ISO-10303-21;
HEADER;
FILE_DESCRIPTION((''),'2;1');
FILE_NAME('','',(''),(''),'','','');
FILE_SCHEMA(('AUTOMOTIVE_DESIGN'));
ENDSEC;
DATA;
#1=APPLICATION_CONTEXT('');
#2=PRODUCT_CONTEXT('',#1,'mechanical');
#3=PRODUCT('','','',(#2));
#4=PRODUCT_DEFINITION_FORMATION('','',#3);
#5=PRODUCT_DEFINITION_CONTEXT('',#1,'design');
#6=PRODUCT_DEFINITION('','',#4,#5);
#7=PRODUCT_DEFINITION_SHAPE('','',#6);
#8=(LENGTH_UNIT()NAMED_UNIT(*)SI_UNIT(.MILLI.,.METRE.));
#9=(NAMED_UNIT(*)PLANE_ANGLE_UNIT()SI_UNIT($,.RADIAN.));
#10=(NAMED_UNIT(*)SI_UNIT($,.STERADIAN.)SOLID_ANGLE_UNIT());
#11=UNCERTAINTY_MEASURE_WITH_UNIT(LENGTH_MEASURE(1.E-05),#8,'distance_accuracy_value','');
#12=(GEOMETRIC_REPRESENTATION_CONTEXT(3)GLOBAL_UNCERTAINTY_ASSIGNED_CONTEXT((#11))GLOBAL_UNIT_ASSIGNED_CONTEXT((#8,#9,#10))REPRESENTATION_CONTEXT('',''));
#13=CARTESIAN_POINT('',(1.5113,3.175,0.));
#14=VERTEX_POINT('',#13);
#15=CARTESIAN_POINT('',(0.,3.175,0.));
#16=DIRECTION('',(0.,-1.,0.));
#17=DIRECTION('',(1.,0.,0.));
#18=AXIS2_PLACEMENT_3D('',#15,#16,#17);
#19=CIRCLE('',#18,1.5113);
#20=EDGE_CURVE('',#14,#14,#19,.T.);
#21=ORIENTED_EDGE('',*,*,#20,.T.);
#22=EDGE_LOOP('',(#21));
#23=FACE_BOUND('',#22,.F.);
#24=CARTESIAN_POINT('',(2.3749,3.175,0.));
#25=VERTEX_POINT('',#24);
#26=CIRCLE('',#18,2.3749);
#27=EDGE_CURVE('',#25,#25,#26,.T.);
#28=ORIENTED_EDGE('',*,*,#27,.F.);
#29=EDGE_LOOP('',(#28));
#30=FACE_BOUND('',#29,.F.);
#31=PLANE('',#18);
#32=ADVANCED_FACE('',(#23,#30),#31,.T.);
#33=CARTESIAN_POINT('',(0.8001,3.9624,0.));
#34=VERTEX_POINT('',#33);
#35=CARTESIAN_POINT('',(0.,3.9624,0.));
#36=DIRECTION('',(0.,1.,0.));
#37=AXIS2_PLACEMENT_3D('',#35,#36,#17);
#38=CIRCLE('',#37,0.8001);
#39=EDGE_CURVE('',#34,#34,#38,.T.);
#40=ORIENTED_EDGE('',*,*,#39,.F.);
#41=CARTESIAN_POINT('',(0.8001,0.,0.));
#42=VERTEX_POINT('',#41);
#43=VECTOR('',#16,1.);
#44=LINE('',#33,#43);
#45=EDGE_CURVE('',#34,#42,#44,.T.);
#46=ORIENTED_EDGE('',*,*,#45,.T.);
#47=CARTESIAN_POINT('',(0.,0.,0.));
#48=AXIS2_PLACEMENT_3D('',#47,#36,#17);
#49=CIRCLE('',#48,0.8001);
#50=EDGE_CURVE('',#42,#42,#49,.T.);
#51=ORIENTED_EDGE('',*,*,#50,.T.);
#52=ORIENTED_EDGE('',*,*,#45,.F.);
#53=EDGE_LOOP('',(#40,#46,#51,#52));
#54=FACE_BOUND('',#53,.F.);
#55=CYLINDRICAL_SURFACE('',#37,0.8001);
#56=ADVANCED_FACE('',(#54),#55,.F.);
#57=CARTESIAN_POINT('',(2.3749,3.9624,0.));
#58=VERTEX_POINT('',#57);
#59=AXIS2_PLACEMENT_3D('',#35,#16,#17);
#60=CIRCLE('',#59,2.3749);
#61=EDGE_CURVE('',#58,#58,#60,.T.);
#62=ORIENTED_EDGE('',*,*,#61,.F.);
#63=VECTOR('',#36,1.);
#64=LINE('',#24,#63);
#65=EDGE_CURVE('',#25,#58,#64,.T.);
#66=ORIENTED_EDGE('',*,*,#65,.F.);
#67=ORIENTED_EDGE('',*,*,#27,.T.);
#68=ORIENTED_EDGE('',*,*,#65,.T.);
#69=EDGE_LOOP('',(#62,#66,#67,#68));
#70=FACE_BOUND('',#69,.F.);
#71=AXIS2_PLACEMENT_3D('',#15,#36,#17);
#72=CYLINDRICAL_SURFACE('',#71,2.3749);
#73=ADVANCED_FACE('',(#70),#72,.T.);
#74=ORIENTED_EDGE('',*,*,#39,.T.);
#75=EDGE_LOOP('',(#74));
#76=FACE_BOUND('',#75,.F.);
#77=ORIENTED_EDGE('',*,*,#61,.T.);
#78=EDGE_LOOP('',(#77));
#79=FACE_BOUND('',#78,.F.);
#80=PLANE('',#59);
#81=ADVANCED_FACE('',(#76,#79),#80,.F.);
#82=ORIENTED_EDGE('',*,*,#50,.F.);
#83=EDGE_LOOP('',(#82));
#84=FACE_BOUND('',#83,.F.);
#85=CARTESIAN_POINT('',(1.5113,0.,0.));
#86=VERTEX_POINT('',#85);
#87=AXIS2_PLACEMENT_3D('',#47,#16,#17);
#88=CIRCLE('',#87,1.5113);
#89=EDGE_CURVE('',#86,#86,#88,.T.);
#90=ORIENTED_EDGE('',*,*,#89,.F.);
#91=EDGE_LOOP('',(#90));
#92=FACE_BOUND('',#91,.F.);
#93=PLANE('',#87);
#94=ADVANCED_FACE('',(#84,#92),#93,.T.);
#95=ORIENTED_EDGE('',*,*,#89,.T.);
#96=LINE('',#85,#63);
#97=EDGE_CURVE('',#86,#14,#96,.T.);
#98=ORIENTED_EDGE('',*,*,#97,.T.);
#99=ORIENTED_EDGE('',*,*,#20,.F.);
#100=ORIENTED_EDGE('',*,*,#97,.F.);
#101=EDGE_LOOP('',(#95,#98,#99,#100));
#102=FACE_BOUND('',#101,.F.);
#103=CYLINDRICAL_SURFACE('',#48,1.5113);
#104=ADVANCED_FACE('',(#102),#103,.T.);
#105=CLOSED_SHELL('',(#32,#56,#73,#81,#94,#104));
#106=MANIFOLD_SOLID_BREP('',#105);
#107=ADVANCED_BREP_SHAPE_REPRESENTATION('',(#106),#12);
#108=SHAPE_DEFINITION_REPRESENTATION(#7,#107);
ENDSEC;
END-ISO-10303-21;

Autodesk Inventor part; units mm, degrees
ref_plane "YZ Plane" through (0, 0, 0) normal (1, 0, 0) x (0, 1, 0)
ref_plane "XZ Plane" through (0, 0, 0) normal (0, 1, 0) x (-1, 0, 0)
ref_plane "XY Plane" through (0, 0, 0) normal (0, 0, 1) x (1, 0, 0)
sketch "Sketch1" plane through (0, 0, 0) normal (0, 0, 1) x (1, 0, 0)
  line L0 (0, 0) -> (1.5113, 0)
  line L1 (1.5113, 0) -> (1.5113, 3.175)
  line L2 (1.5113, 3.175) -> (0, 3.175)
  line L3 (0, 3.175) -> (0, 0)
  line L4 (0, 3.175) -> (2.3749, 3.175)
  line L5 (2.3749, 3.175) -> (2.3749, 3.9624)
  line L6 (2.3749, 3.9624) -> (0, 3.9624)
  line L7 (0, 3.9624) -> (0, 3.175)
  dimension "d0" = 1.5113
  dimension "d1" = 2.3749
  dimension "d2" = 0.7874
  dimension "d3" = 3.175
revolve "Revolution1" add sketch "Sketch1" angle 360 about axis through (0, 3.175, 0) along (0, -1, 0)
sketch "Sketch2" plane through (0, 3.9624, 0) normal (0, 1, 0) x (1, 0, 0)
  circle A0 centre (0, 0) radius 0.8001
  dimension "d5" = 1.6002
extrude "Extrusion1" cut sketch "Sketch2" against normal blind 25.4
properties part number "shoulderWasher" material "Nylon 6/6"
